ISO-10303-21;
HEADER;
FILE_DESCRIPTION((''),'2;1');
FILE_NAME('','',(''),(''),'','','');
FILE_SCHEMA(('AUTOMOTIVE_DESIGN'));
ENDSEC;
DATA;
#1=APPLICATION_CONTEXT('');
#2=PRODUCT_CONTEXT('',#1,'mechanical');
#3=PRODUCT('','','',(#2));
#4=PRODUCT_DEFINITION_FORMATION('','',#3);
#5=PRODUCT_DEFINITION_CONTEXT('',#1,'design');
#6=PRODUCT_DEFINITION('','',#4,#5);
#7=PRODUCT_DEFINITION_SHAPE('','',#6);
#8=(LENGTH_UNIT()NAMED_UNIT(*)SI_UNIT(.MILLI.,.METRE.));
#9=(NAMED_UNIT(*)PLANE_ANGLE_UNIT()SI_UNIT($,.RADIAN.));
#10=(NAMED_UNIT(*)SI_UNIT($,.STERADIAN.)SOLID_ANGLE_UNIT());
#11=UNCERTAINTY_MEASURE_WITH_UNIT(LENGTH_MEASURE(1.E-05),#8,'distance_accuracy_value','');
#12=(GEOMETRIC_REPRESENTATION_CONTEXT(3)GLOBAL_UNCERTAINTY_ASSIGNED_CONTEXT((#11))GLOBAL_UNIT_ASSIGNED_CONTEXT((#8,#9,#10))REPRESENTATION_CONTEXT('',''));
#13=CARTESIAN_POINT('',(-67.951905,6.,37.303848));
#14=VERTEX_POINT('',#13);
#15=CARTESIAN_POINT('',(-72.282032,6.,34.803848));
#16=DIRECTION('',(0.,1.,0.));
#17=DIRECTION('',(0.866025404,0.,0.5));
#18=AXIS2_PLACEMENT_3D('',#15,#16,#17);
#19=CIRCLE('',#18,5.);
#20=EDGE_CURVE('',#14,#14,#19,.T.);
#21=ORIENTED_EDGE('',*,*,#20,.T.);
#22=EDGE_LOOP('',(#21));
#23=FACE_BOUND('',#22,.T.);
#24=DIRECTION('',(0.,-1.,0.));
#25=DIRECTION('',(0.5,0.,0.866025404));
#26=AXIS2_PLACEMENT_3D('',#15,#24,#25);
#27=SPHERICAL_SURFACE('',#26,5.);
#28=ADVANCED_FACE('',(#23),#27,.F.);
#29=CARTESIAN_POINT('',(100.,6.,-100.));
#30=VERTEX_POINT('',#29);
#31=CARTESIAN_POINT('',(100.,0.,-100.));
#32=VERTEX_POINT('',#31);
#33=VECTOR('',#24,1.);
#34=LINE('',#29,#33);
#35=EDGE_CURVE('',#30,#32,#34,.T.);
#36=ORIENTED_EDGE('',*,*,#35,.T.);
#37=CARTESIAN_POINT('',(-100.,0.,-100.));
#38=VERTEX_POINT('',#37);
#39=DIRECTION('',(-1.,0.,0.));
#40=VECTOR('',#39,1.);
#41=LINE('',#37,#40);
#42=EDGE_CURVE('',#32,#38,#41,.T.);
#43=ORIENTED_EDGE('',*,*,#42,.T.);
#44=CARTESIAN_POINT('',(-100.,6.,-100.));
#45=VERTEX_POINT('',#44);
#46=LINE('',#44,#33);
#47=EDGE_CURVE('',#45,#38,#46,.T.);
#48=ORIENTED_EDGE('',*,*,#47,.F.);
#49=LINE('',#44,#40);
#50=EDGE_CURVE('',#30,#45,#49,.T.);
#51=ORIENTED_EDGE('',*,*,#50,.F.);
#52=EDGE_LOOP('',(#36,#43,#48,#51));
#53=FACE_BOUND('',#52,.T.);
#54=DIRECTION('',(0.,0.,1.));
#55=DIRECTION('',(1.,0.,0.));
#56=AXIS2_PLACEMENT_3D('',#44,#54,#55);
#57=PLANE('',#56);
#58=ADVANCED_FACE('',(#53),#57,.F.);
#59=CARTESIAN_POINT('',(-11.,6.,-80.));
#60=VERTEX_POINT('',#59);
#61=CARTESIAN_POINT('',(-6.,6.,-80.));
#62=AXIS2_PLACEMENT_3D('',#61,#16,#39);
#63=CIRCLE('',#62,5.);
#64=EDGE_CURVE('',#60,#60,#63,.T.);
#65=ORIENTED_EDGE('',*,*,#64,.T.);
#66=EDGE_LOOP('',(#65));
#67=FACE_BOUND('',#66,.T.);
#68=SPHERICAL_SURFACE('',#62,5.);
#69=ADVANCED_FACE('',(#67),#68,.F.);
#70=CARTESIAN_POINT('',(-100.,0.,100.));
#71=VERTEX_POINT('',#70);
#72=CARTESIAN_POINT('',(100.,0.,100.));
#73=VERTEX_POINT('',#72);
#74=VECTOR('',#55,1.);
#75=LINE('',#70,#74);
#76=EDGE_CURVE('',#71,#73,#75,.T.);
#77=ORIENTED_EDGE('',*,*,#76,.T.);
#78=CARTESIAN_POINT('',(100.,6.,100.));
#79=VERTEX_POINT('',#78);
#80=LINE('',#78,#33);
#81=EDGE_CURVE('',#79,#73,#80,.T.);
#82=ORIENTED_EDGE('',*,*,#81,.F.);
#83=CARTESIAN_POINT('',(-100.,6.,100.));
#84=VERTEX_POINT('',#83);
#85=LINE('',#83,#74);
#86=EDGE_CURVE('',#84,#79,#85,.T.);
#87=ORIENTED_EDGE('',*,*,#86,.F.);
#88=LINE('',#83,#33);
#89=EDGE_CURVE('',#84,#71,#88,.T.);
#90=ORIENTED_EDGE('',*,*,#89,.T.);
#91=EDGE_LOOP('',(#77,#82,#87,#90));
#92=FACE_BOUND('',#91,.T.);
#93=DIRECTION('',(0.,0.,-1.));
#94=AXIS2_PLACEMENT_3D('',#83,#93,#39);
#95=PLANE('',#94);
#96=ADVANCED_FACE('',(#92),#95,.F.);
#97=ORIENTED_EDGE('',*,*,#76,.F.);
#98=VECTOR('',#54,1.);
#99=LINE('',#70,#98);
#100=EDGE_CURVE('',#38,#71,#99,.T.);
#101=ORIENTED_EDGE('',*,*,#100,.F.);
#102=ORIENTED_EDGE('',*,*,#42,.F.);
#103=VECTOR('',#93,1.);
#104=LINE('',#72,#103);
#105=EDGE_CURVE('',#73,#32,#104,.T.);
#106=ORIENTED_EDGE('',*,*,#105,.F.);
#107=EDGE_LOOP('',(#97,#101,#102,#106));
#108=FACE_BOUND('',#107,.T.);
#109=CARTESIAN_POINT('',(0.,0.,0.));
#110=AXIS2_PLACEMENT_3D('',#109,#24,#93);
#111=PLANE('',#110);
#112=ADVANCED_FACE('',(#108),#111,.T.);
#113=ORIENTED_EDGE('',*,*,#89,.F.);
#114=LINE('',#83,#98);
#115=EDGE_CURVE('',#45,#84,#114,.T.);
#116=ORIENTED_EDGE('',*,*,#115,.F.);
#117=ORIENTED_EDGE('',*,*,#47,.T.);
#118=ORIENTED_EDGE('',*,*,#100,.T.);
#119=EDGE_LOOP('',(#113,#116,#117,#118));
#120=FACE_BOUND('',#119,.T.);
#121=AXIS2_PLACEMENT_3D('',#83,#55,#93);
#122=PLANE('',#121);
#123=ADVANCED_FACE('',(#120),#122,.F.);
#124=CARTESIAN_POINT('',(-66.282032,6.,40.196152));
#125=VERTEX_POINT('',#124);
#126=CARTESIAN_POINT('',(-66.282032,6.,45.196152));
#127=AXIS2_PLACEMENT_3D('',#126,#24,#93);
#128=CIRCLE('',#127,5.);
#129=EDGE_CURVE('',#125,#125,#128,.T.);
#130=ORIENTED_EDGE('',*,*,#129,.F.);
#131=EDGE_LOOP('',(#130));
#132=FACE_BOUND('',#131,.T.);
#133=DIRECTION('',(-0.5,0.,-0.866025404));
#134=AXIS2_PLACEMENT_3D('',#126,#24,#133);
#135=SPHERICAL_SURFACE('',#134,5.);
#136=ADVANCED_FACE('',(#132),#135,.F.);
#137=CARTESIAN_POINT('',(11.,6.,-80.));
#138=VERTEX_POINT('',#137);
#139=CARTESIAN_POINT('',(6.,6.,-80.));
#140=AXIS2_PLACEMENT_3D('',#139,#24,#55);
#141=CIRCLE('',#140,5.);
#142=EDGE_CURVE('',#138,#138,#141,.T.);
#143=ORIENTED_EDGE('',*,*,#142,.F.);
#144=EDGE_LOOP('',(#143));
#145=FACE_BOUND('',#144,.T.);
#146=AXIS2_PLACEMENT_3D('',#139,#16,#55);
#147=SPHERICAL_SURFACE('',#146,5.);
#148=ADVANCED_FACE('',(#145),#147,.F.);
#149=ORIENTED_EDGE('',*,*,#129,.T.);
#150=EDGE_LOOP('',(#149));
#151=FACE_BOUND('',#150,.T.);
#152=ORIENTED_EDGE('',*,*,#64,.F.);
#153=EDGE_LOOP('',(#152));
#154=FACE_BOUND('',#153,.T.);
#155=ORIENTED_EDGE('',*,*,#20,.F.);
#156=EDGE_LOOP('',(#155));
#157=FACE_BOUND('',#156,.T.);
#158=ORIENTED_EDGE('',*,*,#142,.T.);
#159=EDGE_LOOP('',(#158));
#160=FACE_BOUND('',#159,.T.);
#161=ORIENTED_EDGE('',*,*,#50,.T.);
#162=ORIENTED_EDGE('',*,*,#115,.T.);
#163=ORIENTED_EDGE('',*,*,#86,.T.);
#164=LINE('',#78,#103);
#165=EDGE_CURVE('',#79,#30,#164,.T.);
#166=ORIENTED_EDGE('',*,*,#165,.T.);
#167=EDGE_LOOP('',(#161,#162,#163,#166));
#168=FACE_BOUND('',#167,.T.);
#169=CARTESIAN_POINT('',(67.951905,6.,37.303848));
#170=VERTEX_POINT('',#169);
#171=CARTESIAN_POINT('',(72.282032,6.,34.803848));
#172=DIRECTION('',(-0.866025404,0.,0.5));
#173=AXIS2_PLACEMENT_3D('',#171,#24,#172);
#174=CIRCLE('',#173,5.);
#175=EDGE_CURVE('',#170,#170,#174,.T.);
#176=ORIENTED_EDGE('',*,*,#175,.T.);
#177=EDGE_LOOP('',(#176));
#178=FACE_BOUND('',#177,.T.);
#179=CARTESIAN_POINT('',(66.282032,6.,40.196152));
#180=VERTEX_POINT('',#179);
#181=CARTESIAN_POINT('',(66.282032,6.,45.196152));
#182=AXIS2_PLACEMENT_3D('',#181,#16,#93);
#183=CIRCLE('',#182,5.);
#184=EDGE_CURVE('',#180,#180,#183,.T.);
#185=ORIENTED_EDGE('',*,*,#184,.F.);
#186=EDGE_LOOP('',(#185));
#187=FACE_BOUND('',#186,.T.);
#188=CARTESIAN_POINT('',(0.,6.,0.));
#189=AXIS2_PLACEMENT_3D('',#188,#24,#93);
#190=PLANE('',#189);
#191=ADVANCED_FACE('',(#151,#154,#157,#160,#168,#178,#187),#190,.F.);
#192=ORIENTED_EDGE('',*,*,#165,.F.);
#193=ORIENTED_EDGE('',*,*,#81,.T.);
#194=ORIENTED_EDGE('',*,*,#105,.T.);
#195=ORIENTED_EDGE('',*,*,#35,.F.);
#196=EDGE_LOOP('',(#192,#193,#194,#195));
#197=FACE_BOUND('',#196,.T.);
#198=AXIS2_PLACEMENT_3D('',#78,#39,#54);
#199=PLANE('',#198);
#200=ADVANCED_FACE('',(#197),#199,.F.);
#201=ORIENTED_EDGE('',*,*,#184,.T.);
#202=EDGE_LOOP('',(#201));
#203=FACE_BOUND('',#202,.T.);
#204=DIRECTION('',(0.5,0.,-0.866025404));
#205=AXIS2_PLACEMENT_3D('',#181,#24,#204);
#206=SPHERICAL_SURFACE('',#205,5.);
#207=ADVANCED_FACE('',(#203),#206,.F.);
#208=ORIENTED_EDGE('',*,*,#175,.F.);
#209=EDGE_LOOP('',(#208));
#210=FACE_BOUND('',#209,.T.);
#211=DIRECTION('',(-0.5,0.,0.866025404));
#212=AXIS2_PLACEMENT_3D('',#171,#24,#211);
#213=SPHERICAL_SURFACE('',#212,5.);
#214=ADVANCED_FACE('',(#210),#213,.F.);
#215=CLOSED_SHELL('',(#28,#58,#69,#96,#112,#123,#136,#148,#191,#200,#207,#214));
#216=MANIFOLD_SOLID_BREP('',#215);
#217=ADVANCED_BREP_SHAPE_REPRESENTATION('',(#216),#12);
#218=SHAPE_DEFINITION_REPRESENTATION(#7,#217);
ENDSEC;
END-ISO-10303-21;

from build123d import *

# Parameters (mm, degrees)
SKETCH1_W           = 200
SKETCH1_H           = 200
BOSS_EXTRUDE1_DEPTH = 6


with BuildPart() as part:
    # Sketch1 → Boss-Extrude1 (new body)
    with BuildSketch(Plane(origin=(0, 0, 0), x_dir=(1, 0, 0), z_dir=(0, 1, 0))):
        Rectangle(SKETCH1_W, SKETCH1_H)
    extrude(amount=BOSS_EXTRUDE1_DEPTH)

    # Sketch2 → Cut-Revolve1 (revolve, cut)
    with BuildSketch(Plane.XY.offset(-80)):
        with BuildLine():
            Line((-11, 6), (-6, 6))
            Line((-6, 6), (-6, 1))
            ThreePointArc((-6, 1), (-9.535533906, 2.464466094), (-11, 6))
        make_face()
    cut_revolve1 = revolve(axis=Axis((-6, 6, -80), (0, -1, 0)), mode=Mode.SUBTRACT)

    # Sketch4 → Cut-Revolve2 (revolve, cut)
    with BuildSketch(Plane(origin=(-69.282032303, 0, 40), x_dir=(0, -1, 0), z_dir=(-0.8660254037844398, 0, 0.499999999999998))):
        with BuildLine():
            Line((-1, 6), (-6, 6))
            Line((-6, 6), (-6, 11))
            ThreePointArc((-6, 11), (-2.464466094, 9.535533906), (-1, 6))
        make_face()
    cut_revolve2 = revolve(axis=Axis((-66.282032303, 1, 45.196152423), (0, 1, 0)), mode=Mode.SUBTRACT)

    # Mirror1: Cut-Revolve2 across plane
    add(cut_revolve2.mirror(Plane(origin=(0, 0, 0), x_dir=(-0.8660254037844398, 0, 0.499999999999998), z_dir=(-0.499999999999998, 0, -0.8660254037844398))), mode=Mode.SUBTRACT)

    # Mirror2: Cut-Revolve1 across plane
    add(cut_revolve1.mirror(Plane(origin=(0, 0, 0), x_dir=(0, 0, 1), z_dir=(1, 0, 0))), mode=Mode.SUBTRACT)

    # Mirror2 copy 1 sketch → Mirror2 copy 1 (revolve, cut)
    with BuildSketch(Plane(origin=(69.282032303, 0, 40), x_dir=(0, -1, 0), z_dir=(0.8660254037844398, 0, 0.499999999999998))):
        with BuildLine():
            Line((-1, 6), (-6, 6))
            Line((-6, 6), (-6, 11))
            ThreePointArc((-6, 11), (-2.464466094, 9.535533906), (-1, 6))
        make_face()
    revolve(axis=Axis((72.282032303, 1, 34.803847577), (0, 1, 0)), mode=Mode.SUBTRACT)

    # Mirror2 copy 2 sketch → Mirror2 copy 2 (revolve, cut)
    with BuildSketch(Plane(origin=(69.282032303, 0, 40), x_dir=(0, -1, 0), z_dir=(0.8660254037844398, 0, 0.499999999999998))):
        with BuildLine():
            Line((-1, -6), (-6, -6))
            Line((-6, -6), (-6, -11))
            ThreePointArc((-6, -11), (-2.464466094, -9.535533906), (-1, -6))
        make_face()
    revolve(axis=Axis((66.282032303, 1, 45.196152423), (0, -1, 0)), mode=Mode.SUBTRACT)


solid = part.part
